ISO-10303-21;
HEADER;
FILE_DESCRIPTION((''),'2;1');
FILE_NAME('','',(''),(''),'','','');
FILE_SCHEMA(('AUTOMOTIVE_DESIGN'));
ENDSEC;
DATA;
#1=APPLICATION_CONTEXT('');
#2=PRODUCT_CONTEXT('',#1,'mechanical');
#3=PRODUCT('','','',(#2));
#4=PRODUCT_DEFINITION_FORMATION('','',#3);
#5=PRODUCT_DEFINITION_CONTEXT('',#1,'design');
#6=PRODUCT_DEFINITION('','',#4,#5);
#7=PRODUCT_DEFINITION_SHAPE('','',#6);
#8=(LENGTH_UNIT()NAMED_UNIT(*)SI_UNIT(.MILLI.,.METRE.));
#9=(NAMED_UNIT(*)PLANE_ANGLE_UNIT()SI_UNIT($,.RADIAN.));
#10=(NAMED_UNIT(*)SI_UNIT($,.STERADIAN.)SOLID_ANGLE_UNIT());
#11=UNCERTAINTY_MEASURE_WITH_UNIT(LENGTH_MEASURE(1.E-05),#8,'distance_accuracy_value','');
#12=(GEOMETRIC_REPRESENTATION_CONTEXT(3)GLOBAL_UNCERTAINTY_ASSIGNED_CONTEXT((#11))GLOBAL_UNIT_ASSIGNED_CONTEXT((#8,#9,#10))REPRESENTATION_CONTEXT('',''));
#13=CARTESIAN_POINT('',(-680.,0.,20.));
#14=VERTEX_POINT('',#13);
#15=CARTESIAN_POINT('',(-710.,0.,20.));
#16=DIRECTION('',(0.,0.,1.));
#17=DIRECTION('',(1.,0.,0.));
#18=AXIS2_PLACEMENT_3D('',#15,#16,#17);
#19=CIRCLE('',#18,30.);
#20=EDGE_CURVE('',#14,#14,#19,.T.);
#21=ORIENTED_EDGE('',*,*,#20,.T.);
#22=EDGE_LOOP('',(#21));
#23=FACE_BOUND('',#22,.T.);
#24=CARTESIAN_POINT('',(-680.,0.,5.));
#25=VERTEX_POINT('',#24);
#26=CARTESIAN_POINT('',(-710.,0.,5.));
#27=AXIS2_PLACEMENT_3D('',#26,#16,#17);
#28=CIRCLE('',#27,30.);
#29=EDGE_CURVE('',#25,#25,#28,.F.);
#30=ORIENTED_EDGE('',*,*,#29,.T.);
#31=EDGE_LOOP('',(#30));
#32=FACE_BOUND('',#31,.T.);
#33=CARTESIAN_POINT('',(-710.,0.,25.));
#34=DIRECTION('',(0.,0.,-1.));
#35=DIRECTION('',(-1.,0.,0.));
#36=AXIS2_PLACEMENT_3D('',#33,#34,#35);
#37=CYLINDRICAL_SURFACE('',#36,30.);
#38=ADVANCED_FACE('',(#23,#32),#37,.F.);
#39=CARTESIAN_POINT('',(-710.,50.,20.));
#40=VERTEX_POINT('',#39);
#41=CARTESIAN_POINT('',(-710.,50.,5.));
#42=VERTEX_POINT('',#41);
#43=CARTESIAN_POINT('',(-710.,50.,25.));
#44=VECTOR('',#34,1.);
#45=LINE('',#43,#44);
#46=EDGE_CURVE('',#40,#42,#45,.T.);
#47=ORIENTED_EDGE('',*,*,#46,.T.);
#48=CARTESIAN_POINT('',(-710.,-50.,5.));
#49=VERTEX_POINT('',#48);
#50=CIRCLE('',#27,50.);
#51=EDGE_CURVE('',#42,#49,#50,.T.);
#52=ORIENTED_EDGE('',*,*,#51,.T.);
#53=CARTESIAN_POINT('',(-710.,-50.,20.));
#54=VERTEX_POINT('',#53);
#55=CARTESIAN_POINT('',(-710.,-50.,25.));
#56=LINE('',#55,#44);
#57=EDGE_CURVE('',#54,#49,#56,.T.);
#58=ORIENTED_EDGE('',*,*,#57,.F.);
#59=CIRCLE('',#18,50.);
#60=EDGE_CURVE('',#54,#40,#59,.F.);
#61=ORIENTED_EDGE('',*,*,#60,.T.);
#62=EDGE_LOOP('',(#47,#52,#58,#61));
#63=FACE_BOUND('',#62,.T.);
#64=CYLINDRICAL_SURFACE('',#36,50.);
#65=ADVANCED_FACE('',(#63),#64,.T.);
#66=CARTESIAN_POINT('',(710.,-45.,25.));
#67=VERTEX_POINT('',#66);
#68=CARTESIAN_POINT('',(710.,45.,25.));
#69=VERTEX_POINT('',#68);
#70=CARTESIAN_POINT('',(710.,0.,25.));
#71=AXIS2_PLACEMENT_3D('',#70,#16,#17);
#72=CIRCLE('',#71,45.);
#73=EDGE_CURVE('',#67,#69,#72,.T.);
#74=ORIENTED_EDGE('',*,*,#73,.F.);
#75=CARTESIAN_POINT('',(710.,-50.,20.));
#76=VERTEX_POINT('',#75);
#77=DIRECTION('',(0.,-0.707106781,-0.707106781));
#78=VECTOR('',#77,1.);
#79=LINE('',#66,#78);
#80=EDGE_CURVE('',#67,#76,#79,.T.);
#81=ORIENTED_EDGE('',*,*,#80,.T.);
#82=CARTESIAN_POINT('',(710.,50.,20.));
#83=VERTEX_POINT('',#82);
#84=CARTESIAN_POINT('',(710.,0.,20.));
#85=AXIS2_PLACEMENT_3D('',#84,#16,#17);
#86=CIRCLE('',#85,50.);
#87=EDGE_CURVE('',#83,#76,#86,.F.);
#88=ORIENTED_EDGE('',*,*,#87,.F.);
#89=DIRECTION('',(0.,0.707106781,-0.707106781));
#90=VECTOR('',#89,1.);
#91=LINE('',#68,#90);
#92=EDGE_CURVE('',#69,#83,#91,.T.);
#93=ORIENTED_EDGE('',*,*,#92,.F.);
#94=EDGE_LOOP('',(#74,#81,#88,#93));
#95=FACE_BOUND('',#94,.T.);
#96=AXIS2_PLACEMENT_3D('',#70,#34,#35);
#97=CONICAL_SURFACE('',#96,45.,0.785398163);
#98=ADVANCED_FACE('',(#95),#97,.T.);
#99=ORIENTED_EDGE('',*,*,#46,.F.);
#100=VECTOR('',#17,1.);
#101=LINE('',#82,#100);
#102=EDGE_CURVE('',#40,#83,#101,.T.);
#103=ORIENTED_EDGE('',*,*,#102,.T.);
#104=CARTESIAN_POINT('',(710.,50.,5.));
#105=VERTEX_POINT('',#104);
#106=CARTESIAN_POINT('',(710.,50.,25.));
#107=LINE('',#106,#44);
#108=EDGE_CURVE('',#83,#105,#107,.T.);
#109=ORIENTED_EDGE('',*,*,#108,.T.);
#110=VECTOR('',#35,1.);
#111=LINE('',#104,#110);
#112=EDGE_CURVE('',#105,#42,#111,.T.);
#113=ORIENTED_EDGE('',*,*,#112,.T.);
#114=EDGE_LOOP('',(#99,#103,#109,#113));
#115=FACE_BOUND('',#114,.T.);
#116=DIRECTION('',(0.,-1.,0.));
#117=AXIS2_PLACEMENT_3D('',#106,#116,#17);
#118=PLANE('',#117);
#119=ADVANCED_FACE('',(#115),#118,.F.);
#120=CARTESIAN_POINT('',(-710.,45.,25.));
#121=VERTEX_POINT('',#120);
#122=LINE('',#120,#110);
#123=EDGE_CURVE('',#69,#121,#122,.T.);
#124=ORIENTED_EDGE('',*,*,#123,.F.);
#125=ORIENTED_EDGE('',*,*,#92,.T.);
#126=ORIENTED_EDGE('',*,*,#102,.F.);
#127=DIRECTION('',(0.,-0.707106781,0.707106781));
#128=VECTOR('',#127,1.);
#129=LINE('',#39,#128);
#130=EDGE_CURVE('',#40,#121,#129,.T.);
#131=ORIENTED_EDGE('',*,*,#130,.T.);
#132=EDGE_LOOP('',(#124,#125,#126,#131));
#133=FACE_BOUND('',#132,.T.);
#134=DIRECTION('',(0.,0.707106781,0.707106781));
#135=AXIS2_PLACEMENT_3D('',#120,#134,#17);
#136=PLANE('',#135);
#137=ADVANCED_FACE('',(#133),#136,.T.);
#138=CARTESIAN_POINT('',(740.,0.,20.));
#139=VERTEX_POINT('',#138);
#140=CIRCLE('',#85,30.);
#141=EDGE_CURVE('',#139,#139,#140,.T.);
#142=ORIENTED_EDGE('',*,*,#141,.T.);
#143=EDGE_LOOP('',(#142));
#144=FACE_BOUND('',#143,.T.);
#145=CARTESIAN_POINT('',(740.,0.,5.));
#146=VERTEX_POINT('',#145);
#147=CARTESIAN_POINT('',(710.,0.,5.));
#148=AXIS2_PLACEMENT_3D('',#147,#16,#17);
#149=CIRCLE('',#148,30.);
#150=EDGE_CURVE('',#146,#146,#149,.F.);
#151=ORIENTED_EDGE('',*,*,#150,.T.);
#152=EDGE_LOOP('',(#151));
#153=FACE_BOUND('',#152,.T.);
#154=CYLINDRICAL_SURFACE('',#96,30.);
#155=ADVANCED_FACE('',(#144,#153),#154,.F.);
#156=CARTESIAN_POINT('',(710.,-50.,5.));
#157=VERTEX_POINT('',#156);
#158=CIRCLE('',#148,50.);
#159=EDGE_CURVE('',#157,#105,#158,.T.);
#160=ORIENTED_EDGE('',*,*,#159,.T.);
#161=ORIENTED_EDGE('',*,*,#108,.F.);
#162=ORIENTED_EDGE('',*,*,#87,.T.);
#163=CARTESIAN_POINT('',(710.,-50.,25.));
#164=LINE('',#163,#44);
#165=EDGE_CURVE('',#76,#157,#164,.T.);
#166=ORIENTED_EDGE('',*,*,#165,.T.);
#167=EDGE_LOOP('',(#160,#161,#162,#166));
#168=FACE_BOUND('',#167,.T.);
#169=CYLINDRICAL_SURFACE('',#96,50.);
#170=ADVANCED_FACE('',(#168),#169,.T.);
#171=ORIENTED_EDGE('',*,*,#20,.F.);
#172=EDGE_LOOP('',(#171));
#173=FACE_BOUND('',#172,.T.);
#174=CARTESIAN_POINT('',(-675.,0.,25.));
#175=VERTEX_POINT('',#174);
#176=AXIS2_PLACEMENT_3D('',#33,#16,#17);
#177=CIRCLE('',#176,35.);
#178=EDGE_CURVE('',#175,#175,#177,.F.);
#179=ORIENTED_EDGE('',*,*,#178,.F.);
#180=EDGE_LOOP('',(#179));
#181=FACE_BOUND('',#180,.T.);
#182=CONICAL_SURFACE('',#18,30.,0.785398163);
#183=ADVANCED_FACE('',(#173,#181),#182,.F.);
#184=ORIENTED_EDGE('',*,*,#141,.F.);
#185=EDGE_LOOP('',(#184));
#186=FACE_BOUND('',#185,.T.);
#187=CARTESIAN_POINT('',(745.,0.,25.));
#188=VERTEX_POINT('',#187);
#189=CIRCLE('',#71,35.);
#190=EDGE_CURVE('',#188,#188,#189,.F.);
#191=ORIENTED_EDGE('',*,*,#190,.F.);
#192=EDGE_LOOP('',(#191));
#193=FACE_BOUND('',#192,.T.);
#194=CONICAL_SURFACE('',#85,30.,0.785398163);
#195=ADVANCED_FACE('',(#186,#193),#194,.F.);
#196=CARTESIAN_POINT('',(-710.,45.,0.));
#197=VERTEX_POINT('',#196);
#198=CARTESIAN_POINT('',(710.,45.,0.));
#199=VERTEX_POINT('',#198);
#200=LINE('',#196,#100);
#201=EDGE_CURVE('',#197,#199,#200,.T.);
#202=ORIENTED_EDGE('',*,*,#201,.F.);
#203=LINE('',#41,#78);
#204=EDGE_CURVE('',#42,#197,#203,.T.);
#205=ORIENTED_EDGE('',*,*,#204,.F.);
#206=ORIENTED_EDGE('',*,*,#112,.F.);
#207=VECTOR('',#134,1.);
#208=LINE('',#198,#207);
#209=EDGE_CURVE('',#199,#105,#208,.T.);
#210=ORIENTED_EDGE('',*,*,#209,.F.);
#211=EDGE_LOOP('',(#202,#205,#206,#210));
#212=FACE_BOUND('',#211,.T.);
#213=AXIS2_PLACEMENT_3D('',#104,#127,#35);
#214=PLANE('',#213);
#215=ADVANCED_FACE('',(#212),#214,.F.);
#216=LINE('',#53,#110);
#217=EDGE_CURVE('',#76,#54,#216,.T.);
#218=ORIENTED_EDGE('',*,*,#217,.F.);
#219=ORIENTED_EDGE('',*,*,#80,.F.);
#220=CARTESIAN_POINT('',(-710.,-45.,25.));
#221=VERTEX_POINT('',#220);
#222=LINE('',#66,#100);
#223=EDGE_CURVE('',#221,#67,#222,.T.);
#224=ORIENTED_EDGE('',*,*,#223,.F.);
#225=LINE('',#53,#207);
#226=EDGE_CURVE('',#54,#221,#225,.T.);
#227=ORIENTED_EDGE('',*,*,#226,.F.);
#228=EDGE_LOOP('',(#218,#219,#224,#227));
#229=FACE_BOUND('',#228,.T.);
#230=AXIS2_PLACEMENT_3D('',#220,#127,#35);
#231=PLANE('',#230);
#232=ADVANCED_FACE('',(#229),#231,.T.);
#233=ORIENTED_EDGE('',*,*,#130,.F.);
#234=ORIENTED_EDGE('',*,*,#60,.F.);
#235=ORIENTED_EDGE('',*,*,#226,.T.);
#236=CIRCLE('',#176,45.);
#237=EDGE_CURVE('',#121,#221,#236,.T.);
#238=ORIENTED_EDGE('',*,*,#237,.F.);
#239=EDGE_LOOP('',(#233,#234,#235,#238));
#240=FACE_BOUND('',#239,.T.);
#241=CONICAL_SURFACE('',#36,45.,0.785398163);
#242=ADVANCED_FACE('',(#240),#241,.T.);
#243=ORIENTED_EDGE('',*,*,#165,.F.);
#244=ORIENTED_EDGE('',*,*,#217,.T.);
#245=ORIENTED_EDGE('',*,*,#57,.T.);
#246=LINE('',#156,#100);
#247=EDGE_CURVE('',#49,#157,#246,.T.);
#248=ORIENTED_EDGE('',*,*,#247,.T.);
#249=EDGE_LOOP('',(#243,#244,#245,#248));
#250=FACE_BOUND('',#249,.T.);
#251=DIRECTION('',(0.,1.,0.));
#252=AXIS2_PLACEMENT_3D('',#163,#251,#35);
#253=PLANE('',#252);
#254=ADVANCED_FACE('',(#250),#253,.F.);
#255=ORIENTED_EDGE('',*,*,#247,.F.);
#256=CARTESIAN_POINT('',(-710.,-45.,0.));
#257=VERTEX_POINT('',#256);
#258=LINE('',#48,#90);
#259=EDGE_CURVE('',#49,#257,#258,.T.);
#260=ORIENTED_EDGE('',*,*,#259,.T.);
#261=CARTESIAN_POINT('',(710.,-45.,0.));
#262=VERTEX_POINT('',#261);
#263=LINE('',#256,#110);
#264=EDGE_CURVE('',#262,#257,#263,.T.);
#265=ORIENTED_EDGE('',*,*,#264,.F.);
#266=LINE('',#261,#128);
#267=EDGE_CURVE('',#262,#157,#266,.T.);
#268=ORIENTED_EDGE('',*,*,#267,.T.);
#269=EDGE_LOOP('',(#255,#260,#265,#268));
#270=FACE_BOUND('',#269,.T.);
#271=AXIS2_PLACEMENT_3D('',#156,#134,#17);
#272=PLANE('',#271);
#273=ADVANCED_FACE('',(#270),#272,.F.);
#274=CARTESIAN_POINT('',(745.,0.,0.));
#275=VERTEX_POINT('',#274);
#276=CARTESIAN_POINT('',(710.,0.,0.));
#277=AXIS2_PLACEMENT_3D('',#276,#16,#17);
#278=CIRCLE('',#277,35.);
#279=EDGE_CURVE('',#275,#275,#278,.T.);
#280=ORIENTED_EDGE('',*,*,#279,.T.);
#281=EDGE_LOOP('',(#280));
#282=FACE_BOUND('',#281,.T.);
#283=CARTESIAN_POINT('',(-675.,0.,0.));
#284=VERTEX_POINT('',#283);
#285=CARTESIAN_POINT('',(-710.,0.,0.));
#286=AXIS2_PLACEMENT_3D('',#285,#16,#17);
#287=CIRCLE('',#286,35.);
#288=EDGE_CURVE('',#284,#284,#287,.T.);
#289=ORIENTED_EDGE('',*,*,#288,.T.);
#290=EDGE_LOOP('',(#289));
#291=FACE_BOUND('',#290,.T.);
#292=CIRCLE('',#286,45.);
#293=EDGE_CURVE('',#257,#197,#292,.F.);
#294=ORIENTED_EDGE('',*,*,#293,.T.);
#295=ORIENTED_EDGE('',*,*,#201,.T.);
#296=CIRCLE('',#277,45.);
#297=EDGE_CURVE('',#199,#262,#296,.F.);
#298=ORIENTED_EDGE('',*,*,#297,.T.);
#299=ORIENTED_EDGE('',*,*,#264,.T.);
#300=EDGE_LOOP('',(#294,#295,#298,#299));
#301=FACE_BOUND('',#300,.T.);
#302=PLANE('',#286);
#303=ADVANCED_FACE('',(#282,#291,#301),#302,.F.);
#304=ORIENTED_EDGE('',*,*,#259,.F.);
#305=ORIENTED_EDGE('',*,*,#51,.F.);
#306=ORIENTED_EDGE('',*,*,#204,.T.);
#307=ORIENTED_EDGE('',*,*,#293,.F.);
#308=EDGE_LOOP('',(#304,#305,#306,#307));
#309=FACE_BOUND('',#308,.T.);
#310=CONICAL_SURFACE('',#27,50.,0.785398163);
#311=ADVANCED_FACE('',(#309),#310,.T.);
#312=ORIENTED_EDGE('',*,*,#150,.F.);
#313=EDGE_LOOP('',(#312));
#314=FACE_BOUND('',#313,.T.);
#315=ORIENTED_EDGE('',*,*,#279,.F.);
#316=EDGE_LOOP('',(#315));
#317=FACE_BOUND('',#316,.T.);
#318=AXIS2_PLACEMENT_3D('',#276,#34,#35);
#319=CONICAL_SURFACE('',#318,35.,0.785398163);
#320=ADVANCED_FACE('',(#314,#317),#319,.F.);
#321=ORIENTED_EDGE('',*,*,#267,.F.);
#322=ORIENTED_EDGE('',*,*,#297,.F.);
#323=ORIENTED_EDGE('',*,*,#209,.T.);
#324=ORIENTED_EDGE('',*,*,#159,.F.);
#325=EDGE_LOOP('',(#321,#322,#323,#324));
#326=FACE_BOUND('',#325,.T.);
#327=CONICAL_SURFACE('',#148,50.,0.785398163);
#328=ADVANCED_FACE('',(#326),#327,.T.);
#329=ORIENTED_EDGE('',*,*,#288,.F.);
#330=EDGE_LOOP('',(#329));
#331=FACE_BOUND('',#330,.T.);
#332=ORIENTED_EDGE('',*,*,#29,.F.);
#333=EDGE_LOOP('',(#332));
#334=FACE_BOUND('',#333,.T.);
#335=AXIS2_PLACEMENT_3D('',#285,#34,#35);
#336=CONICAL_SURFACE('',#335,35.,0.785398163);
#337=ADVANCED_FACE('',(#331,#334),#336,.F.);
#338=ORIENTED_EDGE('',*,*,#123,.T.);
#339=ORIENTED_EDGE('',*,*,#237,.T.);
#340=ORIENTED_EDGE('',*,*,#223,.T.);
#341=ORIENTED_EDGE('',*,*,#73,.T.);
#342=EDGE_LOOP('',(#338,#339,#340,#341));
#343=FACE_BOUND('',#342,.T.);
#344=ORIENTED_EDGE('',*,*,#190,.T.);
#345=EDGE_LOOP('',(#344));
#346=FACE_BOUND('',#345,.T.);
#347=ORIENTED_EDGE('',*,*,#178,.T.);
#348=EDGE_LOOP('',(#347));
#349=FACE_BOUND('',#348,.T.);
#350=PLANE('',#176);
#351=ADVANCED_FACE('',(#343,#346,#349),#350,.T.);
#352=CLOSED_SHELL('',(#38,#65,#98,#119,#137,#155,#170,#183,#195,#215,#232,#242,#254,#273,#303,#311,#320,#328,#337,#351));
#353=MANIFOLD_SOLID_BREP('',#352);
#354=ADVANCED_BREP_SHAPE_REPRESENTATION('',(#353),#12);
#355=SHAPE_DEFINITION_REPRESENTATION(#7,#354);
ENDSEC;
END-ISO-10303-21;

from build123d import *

# Parameters (mm, degrees)
SKETCH1_R           = 30
BOSS_EXTRUDE1_DEPTH = 25
CHAMFER1_SIZE       = 5


with BuildPart() as part:
    # Sketch1 → Boss-Extrude1 (new body)
    with BuildSketch(Plane.XY):
        with BuildLine():
            Line((710, -50), (-710, -50))
            ThreePointArc((-710, -50), (-760, 0), (-710, 50))
            Line((-710, 50), (710, 50))
            ThreePointArc((710, 50), (760, 0), (710, -50))
        make_face()
        with Locations((-710, 0)):
            Circle(SKETCH1_R, mode=Mode.SUBTRACT)
        with Locations(Location((710, 0, 0), (0, 0, 180))):
            Circle(SKETCH1_R, mode=Mode.SUBTRACT)
    extrude(amount=BOSS_EXTRUDE1_DEPTH)

    # Chamfer1
    chamfer1_edges = [part.edges().sort_by_distance(p)[0] for p in [
        (760, 0, 25),
        (-740, 0, 0),
        (-740, 0, 25),
        (0, 50, 25),
        (740, 0, 0),
        (740, 0, 25),
        (-760, 0, 25),
        (0, 50, 0),
        (760, 0, 0),
        (0, -50, 0),
        (-760, 0, 0),
        (0, -50, 25),
    ]]
    chamfer(chamfer1_edges, length=CHAMFER1_SIZE)


solid = part.part
